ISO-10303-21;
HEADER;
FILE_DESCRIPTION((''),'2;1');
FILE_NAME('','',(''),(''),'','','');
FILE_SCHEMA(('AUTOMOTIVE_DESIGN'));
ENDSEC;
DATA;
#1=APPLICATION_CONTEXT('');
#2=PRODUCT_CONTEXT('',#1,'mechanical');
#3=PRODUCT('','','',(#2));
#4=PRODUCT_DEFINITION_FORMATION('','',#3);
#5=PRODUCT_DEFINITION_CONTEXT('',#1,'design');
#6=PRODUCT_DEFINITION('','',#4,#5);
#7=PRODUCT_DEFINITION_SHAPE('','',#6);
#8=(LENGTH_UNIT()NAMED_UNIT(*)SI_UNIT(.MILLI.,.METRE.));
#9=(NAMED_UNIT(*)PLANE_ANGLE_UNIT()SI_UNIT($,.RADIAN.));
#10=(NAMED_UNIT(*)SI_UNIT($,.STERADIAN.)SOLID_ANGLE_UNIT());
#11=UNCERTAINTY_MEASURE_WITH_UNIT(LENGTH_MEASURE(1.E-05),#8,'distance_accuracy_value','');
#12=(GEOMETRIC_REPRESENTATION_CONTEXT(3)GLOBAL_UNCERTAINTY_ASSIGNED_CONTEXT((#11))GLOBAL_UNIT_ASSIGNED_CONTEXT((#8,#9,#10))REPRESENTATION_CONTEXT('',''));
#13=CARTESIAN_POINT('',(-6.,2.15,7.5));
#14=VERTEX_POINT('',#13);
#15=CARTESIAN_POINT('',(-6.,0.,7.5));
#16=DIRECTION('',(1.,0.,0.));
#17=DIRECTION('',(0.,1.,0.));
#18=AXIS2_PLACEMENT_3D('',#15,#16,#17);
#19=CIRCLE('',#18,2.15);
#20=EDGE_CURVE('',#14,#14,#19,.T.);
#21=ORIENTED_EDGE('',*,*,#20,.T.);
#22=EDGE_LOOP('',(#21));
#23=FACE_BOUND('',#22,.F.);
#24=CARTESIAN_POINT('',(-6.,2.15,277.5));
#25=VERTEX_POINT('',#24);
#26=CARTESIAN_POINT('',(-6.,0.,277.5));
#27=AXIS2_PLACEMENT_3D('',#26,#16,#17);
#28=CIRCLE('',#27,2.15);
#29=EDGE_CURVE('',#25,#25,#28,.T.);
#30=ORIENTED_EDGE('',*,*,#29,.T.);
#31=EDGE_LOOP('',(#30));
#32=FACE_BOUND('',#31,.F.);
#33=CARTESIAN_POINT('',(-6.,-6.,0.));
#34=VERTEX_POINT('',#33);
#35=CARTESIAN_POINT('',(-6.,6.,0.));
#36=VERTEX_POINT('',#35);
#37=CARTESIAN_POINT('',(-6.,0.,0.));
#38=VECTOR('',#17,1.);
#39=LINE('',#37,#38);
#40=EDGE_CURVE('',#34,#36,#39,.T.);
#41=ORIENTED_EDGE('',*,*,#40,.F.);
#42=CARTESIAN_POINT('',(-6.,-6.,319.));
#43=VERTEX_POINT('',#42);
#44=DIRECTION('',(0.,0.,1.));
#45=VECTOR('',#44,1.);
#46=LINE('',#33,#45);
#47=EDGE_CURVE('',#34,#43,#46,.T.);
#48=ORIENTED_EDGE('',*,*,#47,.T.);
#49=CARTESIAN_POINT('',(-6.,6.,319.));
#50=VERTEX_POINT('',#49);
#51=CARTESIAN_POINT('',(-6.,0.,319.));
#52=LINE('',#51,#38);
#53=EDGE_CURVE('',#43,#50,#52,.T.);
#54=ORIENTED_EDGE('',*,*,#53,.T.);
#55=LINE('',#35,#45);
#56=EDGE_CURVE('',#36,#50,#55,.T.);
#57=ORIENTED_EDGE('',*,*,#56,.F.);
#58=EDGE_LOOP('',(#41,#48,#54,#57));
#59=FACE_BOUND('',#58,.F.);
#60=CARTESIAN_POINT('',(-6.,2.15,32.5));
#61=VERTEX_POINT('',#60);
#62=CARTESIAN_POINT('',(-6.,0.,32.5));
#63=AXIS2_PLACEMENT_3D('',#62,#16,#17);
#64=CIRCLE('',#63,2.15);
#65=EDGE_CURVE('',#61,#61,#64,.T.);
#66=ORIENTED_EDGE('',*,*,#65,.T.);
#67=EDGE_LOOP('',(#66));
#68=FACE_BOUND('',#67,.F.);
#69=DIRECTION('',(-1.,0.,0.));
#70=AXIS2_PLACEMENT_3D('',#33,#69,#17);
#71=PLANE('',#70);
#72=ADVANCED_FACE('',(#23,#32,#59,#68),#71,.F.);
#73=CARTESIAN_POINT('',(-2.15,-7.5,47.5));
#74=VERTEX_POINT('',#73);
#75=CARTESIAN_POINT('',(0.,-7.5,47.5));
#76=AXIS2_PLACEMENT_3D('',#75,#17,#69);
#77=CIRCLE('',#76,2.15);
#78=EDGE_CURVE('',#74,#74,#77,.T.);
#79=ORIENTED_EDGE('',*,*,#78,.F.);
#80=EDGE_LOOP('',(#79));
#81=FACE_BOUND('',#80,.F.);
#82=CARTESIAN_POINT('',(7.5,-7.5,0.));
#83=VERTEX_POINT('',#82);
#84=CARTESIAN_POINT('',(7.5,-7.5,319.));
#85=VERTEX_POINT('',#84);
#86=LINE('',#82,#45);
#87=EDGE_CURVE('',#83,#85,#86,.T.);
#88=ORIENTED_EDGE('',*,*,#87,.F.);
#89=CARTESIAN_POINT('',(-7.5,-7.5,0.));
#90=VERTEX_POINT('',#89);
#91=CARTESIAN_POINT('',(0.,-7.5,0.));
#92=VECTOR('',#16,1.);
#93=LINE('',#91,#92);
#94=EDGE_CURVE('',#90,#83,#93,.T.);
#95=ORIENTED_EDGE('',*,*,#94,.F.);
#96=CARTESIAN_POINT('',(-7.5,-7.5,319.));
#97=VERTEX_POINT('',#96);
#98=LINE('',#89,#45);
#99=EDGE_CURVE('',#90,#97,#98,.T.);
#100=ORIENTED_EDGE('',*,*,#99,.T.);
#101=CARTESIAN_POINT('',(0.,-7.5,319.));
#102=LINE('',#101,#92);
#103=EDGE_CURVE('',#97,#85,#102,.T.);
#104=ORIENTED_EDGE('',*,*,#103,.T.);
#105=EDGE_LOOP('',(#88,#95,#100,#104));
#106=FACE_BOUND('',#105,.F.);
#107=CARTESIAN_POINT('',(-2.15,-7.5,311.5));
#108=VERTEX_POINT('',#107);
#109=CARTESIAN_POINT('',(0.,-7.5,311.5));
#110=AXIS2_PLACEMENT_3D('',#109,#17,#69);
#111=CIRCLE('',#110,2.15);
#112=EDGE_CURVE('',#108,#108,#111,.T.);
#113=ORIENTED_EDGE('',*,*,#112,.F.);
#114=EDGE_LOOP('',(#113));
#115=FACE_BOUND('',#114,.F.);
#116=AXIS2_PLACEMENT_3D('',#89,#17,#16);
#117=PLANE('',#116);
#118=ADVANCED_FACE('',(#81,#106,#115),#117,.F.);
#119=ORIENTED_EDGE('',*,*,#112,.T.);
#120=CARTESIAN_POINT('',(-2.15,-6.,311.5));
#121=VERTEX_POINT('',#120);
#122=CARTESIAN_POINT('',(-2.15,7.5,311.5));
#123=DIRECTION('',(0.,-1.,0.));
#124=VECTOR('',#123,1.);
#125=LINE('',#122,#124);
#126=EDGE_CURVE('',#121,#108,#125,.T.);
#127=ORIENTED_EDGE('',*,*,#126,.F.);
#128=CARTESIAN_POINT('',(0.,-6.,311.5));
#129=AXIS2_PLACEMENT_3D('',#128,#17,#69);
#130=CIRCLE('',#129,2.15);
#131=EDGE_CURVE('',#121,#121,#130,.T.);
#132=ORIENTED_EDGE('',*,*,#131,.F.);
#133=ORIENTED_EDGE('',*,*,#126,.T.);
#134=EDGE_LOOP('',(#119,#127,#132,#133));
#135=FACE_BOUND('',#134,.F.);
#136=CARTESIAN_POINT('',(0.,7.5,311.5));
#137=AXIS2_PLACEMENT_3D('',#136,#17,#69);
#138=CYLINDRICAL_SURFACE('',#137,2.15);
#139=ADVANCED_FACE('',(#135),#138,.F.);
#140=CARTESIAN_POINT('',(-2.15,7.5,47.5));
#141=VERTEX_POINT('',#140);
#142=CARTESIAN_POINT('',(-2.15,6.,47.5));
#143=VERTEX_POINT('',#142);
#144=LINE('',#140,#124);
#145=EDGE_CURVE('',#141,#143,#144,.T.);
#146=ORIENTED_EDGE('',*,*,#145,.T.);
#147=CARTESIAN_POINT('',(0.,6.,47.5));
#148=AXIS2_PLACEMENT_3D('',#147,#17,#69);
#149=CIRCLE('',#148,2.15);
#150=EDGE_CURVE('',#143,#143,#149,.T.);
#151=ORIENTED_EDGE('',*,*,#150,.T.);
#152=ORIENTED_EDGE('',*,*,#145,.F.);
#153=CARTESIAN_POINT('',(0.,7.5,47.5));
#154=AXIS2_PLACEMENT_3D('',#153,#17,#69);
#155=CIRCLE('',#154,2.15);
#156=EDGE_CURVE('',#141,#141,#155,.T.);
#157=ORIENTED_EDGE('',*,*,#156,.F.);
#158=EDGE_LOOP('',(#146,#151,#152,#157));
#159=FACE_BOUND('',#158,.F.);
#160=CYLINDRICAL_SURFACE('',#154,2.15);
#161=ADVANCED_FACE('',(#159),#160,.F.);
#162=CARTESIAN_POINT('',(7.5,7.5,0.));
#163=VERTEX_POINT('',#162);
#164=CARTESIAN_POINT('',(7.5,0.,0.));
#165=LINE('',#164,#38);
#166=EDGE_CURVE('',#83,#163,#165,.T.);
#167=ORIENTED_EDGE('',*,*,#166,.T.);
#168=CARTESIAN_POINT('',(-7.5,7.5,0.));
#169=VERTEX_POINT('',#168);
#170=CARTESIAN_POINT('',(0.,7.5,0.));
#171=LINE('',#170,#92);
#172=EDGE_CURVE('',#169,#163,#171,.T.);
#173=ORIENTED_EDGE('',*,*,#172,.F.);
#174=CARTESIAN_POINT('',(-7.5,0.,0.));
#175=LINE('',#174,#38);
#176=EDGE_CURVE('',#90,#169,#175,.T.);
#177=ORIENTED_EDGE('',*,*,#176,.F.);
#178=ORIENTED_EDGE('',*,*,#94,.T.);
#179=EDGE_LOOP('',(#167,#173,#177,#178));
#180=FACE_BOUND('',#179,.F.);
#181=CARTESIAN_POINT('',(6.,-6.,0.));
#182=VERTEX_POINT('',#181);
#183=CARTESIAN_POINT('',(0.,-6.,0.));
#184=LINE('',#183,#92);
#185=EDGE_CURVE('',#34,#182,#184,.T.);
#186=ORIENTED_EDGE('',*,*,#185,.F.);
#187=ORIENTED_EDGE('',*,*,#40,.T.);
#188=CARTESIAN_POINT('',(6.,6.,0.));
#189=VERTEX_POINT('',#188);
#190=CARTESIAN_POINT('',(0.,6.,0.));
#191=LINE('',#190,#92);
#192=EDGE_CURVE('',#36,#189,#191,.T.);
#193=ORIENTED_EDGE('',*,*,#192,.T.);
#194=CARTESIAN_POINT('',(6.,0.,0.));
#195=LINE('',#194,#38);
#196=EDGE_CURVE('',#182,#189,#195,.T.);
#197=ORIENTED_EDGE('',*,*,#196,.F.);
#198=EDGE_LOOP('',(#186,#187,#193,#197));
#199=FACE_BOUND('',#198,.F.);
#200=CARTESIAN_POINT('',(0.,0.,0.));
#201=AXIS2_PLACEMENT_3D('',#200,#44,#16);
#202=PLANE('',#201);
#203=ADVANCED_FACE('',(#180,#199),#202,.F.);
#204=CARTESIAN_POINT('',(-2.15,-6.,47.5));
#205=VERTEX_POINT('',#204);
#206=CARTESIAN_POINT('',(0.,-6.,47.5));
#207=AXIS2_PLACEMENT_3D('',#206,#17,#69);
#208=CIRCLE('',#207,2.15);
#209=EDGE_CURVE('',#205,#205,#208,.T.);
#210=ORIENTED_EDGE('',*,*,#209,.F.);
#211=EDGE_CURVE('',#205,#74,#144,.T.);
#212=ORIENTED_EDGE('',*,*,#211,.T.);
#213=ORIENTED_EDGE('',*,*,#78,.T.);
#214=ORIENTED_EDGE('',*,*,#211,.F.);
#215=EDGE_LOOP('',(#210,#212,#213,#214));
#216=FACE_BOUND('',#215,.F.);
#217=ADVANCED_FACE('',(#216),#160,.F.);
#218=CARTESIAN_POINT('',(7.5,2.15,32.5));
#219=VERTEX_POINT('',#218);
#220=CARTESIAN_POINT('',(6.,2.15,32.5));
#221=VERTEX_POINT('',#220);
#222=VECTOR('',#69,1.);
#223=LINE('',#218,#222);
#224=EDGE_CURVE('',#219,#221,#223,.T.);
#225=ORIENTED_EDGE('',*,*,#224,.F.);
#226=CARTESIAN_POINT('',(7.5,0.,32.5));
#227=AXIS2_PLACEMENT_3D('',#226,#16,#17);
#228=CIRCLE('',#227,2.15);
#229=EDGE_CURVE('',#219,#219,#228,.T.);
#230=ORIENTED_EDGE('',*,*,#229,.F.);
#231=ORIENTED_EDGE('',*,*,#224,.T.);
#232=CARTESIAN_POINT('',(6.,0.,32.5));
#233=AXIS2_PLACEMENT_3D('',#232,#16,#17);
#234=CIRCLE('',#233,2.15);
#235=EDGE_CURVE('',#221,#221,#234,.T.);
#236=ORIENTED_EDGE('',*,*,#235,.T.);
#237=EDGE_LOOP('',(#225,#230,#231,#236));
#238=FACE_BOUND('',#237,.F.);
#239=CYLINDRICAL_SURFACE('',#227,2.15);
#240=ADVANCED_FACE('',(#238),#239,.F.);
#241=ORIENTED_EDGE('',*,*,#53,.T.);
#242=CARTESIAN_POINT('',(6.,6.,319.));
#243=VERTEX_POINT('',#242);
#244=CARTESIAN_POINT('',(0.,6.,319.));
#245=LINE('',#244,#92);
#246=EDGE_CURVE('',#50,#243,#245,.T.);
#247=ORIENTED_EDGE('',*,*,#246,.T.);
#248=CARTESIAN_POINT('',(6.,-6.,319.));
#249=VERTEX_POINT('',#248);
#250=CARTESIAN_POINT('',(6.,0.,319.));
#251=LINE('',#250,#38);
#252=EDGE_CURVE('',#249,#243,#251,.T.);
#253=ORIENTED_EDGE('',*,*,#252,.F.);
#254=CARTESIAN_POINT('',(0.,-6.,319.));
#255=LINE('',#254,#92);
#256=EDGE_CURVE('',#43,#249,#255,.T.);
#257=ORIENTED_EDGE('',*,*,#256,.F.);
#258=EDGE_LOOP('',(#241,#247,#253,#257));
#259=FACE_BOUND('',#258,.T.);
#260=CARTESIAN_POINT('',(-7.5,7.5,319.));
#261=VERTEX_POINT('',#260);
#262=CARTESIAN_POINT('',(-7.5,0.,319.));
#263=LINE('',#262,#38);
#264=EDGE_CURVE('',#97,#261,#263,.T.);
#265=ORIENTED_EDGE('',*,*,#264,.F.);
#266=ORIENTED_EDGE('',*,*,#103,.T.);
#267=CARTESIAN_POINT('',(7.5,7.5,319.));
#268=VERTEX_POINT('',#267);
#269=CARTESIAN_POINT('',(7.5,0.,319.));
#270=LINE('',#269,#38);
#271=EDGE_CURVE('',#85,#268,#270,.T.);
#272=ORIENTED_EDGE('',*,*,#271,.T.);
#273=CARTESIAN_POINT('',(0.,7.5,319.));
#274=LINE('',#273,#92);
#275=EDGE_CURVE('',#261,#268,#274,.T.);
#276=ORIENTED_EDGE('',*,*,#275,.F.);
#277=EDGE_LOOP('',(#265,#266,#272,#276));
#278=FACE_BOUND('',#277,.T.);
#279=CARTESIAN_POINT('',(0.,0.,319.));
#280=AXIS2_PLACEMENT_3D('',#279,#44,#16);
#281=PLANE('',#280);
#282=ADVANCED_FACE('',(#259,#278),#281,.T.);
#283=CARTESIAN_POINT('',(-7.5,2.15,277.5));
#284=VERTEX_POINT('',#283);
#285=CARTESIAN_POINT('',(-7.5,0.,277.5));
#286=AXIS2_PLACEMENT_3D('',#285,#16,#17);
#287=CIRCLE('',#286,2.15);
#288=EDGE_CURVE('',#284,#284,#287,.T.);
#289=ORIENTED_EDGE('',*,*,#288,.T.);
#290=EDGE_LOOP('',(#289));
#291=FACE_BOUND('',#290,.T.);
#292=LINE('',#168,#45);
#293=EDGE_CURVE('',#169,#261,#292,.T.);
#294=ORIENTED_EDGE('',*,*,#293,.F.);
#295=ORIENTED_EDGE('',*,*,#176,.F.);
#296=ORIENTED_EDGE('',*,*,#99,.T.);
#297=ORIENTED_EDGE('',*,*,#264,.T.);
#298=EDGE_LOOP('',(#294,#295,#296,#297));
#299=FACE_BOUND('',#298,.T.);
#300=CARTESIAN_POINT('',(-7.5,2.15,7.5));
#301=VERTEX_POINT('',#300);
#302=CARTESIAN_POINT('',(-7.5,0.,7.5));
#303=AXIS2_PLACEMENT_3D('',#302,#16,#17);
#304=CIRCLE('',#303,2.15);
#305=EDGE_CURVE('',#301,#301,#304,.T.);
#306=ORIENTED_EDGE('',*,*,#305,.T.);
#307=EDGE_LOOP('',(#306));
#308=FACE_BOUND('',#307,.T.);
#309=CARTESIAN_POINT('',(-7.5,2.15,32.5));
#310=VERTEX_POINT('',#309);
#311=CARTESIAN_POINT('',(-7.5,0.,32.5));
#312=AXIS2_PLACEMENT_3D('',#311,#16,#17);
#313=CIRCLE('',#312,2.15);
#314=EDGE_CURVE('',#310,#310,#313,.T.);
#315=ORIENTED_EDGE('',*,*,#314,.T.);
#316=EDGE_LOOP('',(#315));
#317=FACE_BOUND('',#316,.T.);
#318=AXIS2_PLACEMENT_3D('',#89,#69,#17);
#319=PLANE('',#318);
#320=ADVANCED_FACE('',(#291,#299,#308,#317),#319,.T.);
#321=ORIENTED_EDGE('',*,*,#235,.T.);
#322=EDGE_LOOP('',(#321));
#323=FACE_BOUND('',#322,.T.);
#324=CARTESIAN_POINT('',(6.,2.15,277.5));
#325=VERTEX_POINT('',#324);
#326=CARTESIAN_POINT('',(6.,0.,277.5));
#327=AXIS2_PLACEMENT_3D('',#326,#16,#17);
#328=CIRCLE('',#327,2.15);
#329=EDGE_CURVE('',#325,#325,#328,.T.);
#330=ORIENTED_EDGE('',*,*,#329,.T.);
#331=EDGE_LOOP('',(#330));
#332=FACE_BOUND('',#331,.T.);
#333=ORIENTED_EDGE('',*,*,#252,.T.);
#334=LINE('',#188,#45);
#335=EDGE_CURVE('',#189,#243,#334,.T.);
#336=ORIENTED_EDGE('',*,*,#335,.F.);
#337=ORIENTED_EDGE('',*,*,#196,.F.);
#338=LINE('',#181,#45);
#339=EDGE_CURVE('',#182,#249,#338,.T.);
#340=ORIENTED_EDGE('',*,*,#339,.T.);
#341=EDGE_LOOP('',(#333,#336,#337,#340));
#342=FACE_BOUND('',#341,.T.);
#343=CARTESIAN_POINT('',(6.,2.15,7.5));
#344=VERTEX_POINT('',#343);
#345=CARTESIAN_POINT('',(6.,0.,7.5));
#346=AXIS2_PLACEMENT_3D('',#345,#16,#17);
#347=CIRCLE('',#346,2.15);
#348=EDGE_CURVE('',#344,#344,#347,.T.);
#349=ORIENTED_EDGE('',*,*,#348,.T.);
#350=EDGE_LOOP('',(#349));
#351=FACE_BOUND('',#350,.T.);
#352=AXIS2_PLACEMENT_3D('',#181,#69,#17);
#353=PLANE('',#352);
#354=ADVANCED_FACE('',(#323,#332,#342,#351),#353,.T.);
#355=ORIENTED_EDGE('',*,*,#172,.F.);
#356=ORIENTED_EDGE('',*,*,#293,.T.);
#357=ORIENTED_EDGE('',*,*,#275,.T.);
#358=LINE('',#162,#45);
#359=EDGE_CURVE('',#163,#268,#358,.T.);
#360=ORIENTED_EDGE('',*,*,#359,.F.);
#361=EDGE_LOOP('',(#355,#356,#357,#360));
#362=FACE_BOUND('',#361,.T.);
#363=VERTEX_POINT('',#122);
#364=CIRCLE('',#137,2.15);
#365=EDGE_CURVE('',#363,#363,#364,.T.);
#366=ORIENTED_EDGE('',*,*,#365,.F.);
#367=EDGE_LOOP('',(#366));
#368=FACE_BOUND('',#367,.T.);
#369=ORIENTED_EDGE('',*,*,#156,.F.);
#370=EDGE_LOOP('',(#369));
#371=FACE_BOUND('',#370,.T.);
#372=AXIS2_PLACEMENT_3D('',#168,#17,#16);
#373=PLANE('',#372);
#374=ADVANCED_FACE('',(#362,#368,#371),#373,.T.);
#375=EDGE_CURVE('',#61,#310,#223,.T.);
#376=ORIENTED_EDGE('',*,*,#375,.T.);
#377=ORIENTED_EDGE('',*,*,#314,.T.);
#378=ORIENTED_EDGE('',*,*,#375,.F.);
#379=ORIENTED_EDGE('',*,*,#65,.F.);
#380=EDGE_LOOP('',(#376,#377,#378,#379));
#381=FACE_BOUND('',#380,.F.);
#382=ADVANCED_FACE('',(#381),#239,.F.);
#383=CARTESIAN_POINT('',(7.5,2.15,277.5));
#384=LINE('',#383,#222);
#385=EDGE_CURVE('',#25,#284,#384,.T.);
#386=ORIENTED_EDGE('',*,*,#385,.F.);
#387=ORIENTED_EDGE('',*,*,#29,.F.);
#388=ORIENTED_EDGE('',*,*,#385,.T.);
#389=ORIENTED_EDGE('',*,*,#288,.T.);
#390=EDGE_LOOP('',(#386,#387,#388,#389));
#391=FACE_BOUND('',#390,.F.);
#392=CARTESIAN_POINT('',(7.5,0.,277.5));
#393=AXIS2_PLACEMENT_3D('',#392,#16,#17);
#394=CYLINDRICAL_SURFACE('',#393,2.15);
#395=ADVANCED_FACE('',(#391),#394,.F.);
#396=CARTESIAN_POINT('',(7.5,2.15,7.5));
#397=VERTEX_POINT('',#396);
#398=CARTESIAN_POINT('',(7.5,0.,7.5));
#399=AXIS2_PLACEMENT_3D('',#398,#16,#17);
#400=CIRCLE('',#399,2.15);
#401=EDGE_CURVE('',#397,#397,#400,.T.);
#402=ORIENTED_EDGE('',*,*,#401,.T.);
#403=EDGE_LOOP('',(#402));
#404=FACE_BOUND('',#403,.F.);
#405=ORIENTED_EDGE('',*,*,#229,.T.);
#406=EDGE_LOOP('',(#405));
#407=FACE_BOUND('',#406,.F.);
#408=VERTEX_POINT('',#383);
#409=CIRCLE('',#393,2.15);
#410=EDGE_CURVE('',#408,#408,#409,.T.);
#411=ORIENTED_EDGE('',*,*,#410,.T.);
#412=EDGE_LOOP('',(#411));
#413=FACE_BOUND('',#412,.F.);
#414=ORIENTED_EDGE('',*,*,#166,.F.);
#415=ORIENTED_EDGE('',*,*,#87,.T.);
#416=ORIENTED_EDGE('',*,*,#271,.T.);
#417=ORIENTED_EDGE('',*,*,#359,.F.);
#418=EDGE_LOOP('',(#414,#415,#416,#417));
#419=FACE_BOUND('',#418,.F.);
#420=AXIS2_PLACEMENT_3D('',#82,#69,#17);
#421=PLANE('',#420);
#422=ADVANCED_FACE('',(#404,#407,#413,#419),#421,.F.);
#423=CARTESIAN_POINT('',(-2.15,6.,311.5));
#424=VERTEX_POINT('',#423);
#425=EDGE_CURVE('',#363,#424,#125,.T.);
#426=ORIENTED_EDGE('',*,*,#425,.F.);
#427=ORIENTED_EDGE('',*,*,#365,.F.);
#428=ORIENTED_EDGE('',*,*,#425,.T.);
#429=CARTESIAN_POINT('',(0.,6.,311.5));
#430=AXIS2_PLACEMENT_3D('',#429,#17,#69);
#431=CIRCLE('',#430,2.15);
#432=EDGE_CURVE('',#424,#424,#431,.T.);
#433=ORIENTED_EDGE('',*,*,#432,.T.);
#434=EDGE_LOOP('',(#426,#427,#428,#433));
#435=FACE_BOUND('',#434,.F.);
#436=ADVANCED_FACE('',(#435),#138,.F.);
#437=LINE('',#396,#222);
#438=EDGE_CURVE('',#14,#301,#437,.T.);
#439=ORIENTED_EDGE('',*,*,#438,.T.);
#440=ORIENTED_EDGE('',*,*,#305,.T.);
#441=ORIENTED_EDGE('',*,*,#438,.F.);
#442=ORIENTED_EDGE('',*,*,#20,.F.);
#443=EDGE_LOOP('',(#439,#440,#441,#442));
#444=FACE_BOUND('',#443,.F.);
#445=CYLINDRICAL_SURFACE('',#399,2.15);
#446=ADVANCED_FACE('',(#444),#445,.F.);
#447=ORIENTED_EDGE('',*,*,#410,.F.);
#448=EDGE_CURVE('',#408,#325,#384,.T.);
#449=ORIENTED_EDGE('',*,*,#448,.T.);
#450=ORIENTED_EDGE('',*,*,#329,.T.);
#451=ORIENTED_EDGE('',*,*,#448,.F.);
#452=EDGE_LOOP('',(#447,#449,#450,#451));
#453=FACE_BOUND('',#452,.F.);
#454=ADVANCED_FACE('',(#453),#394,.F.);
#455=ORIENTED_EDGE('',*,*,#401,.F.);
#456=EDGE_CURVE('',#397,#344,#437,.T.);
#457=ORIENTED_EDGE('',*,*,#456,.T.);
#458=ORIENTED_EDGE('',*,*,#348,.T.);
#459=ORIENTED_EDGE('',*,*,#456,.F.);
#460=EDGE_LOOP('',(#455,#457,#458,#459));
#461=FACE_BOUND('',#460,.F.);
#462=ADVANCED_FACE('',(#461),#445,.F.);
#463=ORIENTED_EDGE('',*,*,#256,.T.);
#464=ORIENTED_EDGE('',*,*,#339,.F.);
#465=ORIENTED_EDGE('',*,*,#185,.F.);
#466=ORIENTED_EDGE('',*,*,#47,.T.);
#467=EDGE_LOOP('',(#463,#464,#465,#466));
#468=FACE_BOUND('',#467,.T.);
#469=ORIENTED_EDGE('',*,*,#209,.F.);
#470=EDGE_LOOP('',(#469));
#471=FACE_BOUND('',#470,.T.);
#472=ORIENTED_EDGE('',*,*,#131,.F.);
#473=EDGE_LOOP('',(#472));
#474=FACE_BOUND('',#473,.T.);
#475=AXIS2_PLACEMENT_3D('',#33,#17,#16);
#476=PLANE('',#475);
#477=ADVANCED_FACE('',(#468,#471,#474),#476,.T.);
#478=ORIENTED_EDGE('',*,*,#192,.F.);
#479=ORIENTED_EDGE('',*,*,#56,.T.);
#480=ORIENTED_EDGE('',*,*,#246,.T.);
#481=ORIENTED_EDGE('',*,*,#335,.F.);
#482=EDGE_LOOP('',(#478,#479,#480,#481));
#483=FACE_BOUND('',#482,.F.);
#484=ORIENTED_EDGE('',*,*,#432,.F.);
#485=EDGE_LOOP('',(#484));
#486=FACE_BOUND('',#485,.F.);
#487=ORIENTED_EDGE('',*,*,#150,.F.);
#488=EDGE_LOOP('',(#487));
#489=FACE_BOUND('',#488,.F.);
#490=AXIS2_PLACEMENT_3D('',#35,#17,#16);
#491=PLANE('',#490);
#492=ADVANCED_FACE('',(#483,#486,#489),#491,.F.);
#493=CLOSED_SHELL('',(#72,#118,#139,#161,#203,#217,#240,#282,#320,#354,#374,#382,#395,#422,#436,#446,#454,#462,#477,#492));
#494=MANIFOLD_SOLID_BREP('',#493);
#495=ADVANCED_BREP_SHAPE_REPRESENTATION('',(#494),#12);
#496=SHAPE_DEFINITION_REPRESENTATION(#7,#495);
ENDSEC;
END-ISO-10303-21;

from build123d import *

# Parameters (mm, degrees)
SKETCH_1_W          = 15
SKETCH_1_H          = 15
SKETCH_1_W_2        = 12
SKETCH_1_H_2        = 12
EXTRUDE_1_DEPTH     = 319
SKETCH_2_R          = 2.15
CUT_EXTRUDE_1_DEPTH = 320.440526546
SKETCH_3_R          = 2.15
CUT_EXTRUDE_2_DEPTH = 320.440526546


with BuildPart() as part:
    # ｽｹｯﾁ1 → 押し出し-薄板1 (new body)
    with BuildSketch(Plane.XY):
        Rectangle(SKETCH_1_W, SKETCH_1_H)
        Rectangle(SKETCH_1_W_2, SKETCH_1_H_2, mode=Mode.SUBTRACT)
    extrude(amount=EXTRUDE_1_DEPTH)

    # ｽｹｯﾁ2 → ｶｯﾄ - 押し出し1 (cut, through all)
    with BuildSketch(Plane(origin=(0, 7.5, 0), x_dir=(1, 0, 0), z_dir=(0, 1, 0))):
        with Locations(Location((0, -47.5, 0), (0, 0, 180))):
            Circle(SKETCH_2_R)
        with Locations(Location((0, -311.5, 0), (0, 0, 180))):
            Circle(SKETCH_2_R)
    extrude(amount=-CUT_EXTRUDE_1_DEPTH, mode=Mode.SUBTRACT)

    # ｽｹｯﾁ3 → ｶｯﾄ - 押し出し2 (cut, through all)
    with BuildSketch(Plane(origin=(7.5, 0, 0), x_dir=(0, 0, -1), z_dir=(1, 0, 0))):
        with Locations(Location((-32.5, 0, 0), (0, 0, 90))):
            Circle(SKETCH_3_R)
        with Locations(Location((-7.5, 0, 0), (0, 0, 90))):
            Circle(SKETCH_3_R)
        with Locations(Location((-277.5, 0, 0), (0, 0, 90))):
            Circle(SKETCH_3_R)
    extrude(amount=-CUT_EXTRUDE_2_DEPTH, mode=Mode.SUBTRACT)


solid = part.part
